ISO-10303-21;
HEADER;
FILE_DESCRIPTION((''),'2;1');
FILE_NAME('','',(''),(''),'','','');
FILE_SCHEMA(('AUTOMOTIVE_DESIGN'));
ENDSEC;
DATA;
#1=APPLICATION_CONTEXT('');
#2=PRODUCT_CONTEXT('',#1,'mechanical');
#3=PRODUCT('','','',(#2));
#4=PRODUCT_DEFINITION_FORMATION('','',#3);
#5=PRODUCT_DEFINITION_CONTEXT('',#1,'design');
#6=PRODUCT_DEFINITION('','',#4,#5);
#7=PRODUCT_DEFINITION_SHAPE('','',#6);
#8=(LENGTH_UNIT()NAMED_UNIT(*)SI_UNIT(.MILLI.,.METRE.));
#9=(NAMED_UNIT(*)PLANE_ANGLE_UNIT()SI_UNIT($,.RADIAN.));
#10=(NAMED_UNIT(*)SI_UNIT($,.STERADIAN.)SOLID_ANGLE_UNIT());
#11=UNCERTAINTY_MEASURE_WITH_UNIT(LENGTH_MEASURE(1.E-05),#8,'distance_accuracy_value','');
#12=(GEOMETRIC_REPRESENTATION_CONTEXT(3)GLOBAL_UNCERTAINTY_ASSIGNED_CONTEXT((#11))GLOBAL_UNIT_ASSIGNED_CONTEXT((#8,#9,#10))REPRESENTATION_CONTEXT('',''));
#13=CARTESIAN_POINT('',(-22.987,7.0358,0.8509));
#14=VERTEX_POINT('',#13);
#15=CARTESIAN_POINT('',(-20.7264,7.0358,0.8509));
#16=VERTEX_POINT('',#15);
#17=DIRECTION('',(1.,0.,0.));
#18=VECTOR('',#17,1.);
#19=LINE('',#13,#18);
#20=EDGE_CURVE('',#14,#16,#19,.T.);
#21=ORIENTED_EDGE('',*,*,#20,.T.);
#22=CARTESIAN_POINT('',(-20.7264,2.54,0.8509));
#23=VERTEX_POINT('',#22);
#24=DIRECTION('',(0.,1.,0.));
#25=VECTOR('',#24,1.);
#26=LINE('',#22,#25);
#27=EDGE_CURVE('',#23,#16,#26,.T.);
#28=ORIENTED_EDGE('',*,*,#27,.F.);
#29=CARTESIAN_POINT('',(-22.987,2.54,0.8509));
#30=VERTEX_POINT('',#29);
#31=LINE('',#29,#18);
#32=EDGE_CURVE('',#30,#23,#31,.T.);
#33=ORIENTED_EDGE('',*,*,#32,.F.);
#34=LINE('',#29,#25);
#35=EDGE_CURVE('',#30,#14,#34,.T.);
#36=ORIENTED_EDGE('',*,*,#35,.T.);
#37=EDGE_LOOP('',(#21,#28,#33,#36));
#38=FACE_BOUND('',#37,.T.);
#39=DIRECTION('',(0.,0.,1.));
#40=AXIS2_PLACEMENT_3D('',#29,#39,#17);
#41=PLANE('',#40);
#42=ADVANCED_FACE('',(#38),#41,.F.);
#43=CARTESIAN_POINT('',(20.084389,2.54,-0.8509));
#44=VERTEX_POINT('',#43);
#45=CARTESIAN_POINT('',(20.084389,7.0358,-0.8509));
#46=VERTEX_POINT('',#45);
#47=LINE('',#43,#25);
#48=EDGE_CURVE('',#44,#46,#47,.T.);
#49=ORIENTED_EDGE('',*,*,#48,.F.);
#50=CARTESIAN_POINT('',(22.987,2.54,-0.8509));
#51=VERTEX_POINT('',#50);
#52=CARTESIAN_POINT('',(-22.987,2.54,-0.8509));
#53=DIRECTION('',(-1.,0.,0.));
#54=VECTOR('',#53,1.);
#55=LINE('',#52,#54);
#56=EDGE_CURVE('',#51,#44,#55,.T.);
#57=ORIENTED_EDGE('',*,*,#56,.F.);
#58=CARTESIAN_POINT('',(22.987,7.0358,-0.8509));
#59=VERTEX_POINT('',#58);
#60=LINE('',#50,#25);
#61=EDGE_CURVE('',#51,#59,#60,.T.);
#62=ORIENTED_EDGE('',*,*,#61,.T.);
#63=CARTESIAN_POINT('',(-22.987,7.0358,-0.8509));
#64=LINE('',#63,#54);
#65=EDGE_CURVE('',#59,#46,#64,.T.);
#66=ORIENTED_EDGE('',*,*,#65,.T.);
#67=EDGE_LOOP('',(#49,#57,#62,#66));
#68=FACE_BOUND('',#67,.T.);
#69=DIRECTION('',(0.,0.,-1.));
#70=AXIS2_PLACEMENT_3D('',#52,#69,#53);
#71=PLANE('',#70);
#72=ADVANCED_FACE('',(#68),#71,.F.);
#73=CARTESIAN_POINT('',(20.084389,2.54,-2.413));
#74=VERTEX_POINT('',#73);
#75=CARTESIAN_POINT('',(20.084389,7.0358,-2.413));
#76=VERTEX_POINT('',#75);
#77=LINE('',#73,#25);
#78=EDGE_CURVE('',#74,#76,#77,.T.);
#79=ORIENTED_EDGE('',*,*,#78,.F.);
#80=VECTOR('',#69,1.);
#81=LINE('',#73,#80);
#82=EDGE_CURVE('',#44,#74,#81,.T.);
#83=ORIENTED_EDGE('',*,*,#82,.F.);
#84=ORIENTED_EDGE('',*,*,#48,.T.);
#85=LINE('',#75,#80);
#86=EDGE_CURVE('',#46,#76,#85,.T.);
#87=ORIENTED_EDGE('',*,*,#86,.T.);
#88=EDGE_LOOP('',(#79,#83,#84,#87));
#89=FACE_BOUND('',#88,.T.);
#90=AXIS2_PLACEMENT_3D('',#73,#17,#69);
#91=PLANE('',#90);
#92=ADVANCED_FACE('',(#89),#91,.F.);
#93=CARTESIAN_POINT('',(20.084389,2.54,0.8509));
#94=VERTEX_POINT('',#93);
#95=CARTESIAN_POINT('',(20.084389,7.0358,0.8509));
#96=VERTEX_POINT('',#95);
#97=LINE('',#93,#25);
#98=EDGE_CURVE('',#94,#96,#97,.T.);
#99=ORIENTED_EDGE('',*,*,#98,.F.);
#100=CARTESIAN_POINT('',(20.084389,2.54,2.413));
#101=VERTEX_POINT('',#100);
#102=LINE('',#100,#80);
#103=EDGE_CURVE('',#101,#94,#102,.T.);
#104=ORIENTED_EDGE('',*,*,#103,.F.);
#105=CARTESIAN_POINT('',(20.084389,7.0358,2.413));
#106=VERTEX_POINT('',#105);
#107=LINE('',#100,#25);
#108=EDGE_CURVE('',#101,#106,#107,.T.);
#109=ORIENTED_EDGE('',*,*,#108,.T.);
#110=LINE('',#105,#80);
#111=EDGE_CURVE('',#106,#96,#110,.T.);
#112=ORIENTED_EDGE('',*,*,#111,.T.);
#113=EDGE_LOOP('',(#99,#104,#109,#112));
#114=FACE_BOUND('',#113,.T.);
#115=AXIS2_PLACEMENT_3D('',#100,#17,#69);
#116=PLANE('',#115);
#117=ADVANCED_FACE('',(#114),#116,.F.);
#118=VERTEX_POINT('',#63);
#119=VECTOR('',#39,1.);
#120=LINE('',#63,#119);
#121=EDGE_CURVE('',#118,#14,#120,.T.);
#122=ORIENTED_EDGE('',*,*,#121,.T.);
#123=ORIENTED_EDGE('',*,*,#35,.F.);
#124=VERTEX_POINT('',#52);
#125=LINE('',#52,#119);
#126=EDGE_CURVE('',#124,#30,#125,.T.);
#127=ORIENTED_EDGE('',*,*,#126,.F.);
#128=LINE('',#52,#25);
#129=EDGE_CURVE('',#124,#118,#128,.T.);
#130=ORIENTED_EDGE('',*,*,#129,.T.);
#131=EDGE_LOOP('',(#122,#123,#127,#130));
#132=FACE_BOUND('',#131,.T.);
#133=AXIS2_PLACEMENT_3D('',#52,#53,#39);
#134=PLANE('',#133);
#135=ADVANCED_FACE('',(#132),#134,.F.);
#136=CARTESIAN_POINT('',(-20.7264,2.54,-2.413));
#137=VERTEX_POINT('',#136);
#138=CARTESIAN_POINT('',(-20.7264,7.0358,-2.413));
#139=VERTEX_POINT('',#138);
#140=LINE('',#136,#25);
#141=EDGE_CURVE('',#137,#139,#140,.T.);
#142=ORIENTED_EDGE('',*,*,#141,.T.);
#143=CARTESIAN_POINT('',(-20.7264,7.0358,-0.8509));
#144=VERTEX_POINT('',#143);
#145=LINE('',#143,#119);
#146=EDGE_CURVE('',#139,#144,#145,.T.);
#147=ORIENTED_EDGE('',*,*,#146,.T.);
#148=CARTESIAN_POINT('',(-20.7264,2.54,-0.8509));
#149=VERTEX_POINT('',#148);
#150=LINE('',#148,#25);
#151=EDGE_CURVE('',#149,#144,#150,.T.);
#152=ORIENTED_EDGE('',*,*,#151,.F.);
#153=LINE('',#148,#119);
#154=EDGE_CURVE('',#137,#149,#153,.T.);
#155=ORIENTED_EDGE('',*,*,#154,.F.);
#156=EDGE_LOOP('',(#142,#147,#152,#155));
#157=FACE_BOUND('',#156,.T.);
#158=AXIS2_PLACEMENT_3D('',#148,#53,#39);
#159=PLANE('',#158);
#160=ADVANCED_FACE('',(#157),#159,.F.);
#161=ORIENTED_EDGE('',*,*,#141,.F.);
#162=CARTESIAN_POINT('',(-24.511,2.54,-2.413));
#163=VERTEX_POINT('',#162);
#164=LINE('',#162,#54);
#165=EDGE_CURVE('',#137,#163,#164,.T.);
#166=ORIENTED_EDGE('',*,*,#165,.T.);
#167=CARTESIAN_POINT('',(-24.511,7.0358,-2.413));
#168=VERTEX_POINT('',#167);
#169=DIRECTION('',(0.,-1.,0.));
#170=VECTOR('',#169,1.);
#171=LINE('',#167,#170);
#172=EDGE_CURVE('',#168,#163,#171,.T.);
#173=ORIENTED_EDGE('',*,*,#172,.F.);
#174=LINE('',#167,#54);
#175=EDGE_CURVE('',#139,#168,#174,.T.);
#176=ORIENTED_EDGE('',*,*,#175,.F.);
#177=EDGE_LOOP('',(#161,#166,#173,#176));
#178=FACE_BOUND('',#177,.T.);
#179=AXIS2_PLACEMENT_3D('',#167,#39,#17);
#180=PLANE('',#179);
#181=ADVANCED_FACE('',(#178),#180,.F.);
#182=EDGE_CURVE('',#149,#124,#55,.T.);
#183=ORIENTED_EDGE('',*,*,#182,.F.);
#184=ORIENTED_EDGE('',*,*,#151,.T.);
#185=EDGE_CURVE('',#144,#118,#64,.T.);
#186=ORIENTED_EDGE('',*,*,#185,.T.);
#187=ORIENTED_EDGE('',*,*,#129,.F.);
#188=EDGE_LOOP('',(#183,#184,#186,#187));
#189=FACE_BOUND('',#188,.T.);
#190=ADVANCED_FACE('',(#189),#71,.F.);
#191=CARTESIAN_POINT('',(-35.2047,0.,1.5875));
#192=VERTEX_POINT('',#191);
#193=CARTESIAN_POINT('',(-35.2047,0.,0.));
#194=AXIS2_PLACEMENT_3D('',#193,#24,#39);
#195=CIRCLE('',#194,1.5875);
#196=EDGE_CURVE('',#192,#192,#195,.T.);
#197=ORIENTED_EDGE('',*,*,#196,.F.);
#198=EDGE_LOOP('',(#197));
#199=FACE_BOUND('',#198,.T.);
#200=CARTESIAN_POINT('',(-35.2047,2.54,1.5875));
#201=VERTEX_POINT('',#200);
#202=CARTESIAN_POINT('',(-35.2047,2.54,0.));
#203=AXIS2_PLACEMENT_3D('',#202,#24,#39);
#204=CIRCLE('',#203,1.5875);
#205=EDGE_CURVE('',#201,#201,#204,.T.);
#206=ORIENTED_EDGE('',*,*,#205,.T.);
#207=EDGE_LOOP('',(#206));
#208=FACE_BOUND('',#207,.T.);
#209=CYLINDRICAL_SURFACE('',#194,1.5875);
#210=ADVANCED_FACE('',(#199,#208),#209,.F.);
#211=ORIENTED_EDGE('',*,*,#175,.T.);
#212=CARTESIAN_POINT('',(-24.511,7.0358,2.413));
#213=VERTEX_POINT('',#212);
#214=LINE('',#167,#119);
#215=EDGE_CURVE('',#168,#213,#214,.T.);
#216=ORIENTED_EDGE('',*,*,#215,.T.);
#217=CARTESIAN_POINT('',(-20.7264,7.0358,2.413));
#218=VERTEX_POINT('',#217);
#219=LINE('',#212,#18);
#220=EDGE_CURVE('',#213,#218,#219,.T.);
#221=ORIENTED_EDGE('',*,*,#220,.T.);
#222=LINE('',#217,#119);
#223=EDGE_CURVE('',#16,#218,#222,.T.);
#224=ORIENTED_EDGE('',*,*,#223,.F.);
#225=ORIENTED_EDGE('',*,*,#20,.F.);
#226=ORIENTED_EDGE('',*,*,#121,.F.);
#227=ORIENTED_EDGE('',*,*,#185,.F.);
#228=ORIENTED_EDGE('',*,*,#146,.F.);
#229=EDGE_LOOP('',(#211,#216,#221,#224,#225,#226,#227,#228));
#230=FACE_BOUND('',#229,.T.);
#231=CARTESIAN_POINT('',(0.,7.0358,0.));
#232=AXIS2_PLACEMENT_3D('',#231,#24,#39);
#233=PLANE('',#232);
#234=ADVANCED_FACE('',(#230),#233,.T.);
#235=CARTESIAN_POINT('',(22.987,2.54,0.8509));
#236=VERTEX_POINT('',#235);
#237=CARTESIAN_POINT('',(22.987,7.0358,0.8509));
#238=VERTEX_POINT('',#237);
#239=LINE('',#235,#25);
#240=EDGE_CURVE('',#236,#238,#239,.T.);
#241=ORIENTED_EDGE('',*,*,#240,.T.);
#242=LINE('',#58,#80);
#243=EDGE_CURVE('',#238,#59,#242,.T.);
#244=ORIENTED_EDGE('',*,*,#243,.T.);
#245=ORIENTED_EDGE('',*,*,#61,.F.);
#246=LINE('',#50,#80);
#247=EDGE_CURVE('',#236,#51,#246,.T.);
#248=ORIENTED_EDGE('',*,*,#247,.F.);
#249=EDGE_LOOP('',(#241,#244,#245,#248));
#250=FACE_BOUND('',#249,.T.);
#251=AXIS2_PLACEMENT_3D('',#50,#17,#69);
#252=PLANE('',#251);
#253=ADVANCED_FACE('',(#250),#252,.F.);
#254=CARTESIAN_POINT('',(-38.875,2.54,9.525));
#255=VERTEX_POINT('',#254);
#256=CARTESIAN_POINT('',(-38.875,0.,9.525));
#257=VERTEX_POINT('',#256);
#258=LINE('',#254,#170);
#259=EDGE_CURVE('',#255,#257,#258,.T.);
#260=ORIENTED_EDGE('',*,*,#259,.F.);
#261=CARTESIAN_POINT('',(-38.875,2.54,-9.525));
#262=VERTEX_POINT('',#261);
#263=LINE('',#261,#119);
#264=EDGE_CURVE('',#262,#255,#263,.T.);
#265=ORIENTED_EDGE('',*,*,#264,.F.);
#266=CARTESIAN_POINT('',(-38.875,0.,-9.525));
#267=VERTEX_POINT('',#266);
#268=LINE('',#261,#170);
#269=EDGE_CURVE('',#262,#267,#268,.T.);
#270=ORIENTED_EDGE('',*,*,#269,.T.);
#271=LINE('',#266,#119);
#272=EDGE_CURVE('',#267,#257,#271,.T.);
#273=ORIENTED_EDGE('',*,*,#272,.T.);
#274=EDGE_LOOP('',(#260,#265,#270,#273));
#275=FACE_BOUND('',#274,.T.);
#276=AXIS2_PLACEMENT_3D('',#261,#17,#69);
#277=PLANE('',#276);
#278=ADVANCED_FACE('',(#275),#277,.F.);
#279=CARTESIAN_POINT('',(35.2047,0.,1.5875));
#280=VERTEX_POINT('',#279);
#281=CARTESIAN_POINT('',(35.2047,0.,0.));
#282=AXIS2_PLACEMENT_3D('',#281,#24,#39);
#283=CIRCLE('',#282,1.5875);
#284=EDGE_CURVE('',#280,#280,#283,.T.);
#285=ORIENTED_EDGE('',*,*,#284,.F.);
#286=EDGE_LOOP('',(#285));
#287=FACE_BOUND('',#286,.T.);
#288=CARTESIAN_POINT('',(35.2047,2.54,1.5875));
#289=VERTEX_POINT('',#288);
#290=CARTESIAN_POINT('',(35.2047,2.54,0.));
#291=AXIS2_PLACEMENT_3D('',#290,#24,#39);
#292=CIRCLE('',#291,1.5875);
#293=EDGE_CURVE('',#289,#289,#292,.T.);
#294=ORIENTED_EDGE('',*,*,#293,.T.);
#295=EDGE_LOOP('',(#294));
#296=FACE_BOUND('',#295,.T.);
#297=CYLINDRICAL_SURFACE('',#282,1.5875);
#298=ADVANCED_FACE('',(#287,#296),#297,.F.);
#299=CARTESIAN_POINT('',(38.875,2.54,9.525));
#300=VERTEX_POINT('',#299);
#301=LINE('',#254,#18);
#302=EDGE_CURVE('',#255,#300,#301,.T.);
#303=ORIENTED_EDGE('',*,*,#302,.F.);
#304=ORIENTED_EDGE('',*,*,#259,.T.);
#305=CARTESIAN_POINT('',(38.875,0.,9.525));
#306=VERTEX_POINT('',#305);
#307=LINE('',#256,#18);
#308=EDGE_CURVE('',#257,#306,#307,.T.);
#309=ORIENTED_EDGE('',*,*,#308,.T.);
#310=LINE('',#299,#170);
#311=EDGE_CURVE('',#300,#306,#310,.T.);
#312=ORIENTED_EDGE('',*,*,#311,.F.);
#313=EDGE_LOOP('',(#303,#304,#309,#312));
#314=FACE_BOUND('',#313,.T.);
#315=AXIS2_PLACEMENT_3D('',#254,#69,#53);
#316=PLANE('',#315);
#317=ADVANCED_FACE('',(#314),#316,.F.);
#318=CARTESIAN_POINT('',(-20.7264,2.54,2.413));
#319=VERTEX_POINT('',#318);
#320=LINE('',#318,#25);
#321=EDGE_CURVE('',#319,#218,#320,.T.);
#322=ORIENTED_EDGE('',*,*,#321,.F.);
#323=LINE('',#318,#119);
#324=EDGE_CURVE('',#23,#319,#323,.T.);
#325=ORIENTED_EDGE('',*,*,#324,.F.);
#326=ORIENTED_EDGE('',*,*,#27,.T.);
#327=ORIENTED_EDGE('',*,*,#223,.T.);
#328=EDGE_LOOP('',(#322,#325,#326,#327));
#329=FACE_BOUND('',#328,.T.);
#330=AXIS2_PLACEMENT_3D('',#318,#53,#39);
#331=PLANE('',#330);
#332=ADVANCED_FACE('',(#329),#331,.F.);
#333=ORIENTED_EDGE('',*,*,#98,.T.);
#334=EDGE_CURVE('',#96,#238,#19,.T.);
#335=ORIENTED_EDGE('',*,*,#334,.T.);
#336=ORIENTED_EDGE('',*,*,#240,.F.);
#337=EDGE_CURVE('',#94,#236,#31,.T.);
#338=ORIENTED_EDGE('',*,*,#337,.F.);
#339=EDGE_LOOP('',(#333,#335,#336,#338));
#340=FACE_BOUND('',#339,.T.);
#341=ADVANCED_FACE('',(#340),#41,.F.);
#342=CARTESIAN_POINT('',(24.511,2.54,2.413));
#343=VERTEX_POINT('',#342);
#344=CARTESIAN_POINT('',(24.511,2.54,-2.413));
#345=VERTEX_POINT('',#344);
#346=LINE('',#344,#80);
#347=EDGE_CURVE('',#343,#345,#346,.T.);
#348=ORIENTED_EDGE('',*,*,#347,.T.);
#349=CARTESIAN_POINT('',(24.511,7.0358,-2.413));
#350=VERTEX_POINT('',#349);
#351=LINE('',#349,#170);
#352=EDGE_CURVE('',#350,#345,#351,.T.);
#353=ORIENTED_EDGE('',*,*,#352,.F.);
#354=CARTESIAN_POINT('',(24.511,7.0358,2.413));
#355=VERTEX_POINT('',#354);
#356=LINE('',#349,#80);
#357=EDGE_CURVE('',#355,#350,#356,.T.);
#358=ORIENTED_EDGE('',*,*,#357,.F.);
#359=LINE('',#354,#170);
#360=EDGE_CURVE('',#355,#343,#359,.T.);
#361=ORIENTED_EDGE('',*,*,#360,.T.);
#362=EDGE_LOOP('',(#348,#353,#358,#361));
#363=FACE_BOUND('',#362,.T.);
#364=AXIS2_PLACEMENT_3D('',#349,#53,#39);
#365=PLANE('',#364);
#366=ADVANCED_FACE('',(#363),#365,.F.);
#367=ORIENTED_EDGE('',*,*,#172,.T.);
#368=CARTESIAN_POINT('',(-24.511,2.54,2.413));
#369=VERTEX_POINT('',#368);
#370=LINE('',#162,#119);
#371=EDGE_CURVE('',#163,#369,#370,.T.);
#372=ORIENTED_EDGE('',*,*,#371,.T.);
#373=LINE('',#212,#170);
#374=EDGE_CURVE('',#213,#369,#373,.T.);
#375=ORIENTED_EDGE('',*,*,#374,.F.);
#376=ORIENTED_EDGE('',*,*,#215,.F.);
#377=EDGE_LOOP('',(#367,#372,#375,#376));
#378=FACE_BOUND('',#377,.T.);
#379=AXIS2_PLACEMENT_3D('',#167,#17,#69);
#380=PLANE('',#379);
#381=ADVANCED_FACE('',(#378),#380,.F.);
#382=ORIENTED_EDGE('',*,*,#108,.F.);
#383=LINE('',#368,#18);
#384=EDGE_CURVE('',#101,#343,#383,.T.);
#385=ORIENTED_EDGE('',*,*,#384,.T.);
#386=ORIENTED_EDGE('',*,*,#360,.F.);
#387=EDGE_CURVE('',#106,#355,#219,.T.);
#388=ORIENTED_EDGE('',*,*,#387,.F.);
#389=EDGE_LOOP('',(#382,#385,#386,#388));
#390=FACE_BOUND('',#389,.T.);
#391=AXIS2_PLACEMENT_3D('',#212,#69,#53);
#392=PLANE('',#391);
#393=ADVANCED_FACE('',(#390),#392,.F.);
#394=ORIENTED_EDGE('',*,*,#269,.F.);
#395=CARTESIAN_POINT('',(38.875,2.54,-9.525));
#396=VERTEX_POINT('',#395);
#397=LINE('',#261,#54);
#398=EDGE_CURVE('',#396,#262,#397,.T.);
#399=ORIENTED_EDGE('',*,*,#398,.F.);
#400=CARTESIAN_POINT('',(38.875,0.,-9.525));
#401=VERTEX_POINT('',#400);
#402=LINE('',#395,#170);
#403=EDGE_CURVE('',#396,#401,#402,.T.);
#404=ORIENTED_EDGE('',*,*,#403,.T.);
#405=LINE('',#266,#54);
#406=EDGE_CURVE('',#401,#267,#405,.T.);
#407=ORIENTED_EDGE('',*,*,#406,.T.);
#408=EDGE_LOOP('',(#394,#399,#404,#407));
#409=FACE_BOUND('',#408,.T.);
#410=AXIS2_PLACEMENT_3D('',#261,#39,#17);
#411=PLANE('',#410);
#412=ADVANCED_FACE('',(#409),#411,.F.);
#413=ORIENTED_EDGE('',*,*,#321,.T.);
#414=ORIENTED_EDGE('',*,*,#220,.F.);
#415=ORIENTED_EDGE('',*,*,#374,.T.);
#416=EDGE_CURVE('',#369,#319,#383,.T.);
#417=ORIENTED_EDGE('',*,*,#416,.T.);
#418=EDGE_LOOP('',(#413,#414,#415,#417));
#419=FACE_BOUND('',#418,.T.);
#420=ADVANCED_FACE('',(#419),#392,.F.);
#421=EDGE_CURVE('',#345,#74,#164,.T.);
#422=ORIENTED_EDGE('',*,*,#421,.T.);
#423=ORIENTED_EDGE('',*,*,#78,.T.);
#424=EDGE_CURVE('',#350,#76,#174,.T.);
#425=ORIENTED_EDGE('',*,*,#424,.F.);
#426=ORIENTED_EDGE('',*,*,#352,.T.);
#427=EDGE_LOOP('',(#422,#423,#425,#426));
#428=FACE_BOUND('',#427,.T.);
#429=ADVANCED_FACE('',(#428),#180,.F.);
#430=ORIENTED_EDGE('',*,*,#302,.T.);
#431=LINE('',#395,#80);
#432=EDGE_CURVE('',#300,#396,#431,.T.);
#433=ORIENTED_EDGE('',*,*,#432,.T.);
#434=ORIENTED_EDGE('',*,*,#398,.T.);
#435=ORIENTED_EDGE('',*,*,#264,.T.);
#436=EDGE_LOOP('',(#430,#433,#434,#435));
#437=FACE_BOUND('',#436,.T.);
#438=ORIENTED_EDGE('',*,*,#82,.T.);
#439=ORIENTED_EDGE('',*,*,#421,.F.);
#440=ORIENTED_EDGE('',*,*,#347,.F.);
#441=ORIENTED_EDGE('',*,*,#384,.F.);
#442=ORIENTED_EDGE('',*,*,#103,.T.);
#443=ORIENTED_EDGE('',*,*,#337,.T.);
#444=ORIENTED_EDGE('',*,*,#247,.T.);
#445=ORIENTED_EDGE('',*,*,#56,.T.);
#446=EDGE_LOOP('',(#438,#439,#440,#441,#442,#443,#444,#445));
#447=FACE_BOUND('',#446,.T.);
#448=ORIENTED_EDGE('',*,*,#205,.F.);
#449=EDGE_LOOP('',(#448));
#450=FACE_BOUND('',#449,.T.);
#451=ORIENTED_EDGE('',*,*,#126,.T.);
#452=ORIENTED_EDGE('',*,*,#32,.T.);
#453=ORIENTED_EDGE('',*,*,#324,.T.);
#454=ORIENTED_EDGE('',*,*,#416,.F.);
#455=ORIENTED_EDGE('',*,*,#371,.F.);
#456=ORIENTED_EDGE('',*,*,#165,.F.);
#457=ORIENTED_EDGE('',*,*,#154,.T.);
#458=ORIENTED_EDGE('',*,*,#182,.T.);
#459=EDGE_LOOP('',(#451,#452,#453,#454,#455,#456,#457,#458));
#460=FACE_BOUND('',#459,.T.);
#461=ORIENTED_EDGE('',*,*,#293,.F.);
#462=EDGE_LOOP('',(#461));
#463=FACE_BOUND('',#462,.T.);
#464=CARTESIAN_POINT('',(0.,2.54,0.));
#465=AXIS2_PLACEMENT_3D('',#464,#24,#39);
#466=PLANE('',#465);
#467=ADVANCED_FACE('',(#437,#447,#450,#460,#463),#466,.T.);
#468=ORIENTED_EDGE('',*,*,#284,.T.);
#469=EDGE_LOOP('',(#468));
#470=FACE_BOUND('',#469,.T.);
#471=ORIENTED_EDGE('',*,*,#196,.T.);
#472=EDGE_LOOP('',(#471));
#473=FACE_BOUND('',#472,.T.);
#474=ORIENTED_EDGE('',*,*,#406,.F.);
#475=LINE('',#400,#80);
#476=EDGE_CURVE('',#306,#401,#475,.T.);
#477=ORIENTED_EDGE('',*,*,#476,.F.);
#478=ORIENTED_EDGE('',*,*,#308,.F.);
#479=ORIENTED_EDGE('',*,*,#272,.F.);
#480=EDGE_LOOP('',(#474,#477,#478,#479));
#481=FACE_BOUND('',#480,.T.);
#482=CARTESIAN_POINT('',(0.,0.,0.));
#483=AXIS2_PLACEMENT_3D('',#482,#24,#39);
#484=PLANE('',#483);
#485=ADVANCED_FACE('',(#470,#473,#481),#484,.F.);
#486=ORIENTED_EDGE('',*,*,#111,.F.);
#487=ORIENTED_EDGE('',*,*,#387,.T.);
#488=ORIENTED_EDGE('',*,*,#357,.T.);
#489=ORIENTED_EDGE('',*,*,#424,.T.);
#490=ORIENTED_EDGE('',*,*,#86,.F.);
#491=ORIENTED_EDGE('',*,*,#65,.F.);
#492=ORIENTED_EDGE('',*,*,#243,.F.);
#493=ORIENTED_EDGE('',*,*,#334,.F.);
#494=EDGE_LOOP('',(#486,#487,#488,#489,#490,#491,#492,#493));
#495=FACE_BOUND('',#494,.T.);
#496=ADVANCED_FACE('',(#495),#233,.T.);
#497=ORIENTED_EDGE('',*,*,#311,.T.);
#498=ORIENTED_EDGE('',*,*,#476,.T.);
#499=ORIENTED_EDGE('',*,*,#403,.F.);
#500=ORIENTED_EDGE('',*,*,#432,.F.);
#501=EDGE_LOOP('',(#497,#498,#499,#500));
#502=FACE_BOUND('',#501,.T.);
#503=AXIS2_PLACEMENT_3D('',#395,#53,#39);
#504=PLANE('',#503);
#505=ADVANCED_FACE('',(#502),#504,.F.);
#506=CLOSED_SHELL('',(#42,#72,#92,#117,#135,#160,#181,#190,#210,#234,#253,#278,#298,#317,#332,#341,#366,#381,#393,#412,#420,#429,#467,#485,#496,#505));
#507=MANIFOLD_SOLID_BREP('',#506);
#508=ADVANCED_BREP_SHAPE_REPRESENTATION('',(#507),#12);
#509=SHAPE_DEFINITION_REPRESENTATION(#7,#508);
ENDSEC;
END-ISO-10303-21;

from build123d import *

# Parameters (mm, degrees)
SKETCH1_W           = 77.75
SKETCH1_H           = 19.05
BOSS_EXTRUDE1_DEPTH = 2.54
SKETCH2_R           = 1.5875
CUT_EXTRUDE1_DEPTH  = 3.54
SKETCH3_W           = 49.022
SKETCH3_H           = 4.826
BOSS_EXTRUDE2_DEPTH = 4.4958
SKETCH4_W           = 45.974
SKETCH4_H           = 1.7018
CUT_EXTRUDE2_DEPTH  = 4.4958
SKETCH6_W           = 40.810788913
SKETCH6_H           = 1.5621
CUT_EXTRUDE3_DEPTH  = 4.4958


with BuildPart() as part:
    # Sketch1 → Boss-Extrude1 (new body)
    with BuildSketch(Plane(origin=(0, 0, 0), x_dir=(1, 0, 0), z_dir=(0, 1, 0))):
        Rectangle(SKETCH1_W, SKETCH1_H)
    extrude(amount=BOSS_EXTRUDE1_DEPTH)

    # Sketch2 → Cut-Extrude1 (cut, through all)
    with BuildSketch(Plane(origin=(0, 2.54, 0), x_dir=(1, 0, 0), z_dir=(0, 1, 0))):
        with Locations((35.2047, 0)):
            Circle(SKETCH2_R)
        with Locations((-35.2047, 0)):
            Circle(SKETCH2_R)
    extrude(amount=-CUT_EXTRUDE1_DEPTH, mode=Mode.SUBTRACT)

    # Sketch3 → Boss-Extrude2 (add)
    with BuildSketch(Plane(origin=(0, 2.54, 0), x_dir=(1, 0, 0), z_dir=(0, 1, 0))):
        Rectangle(SKETCH3_W, SKETCH3_H)
    extrude(amount=BOSS_EXTRUDE2_DEPTH)

    # Sketch4 → Cut-Extrude2 (cut)
    with BuildSketch(Plane(origin=(0, 7.0358, 0), x_dir=(1, 0, 0), z_dir=(0, 1, 0))):
        Rectangle(SKETCH4_W, SKETCH4_H)
    extrude(amount=-CUT_EXTRUDE2_DEPTH, mode=Mode.SUBTRACT)

    # Sketch6 → Cut-Extrude3 (cut)
    with BuildSketch(Plane(origin=(0, 7.0358, 0), x_dir=(1, 0, 0), z_dir=(0, 1, 0))):
        with Locations((-0.321005544, -1.63195)):
            Rectangle(SKETCH6_W, SKETCH6_H)
        with Locations((-0.321005544, 1.63195)):
            Rectangle(SKETCH6_W, SKETCH6_H)
    extrude(amount=-CUT_EXTRUDE3_DEPTH, mode=Mode.SUBTRACT)


solid = part.part
